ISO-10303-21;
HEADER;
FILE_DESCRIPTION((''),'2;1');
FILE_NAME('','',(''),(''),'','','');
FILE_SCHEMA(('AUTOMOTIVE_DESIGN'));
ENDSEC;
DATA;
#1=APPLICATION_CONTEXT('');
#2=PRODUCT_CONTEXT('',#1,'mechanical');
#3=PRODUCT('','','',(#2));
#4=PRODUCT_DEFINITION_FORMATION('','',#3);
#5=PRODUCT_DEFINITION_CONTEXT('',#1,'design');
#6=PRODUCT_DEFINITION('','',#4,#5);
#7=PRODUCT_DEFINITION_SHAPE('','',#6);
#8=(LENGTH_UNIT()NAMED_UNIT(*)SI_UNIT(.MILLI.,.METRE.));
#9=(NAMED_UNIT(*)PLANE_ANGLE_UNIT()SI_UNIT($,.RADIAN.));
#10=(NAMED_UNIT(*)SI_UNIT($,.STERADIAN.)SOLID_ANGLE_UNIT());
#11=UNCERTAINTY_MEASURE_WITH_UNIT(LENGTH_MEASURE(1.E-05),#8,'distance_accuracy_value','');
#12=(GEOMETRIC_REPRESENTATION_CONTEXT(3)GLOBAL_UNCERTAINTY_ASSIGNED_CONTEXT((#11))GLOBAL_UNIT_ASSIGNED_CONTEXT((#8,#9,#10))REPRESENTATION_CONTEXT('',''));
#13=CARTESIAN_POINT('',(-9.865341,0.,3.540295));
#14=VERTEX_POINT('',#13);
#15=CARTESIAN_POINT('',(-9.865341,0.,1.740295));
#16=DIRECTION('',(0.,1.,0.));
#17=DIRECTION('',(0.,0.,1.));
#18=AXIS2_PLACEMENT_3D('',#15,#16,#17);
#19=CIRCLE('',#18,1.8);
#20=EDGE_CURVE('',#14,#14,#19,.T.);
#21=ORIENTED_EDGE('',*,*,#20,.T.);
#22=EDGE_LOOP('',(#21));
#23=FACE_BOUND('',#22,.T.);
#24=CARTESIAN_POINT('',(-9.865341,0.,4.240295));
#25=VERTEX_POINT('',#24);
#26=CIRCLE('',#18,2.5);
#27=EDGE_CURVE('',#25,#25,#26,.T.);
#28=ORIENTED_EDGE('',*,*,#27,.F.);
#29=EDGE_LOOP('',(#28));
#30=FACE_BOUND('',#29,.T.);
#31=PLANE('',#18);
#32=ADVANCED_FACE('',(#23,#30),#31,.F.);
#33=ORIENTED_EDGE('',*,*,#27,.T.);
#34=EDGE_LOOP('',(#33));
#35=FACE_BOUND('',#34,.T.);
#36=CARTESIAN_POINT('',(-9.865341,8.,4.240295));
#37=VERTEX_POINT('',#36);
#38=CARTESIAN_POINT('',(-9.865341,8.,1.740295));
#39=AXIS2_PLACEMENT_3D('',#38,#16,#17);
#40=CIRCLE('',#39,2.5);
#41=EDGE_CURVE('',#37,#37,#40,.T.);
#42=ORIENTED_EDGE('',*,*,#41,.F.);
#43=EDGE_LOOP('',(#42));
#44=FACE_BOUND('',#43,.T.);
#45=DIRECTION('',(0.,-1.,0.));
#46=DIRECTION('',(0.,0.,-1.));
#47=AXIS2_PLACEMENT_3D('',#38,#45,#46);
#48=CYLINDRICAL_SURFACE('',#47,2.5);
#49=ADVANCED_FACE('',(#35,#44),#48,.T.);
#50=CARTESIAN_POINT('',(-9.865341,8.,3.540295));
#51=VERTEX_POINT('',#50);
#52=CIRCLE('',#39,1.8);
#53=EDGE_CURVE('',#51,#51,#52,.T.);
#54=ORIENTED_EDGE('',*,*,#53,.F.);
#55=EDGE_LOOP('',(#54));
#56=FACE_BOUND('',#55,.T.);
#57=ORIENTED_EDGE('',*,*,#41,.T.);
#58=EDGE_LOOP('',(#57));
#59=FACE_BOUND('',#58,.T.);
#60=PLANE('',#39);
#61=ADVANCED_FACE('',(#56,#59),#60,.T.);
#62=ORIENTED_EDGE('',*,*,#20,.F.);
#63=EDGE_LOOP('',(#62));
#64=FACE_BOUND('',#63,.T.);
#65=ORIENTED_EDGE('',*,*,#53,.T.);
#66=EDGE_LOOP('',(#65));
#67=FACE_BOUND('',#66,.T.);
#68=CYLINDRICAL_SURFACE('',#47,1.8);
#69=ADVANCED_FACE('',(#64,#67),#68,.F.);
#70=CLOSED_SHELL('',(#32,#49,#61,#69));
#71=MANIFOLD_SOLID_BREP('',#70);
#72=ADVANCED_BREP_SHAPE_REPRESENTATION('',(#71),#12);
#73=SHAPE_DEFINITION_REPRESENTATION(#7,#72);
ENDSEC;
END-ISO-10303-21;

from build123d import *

# Parameters (mm, degrees)
SKETCH1_R           = 2.5
SKETCH1_R_2         = 1.8
BOSS_EXTRUDE1_DEPTH = 8


with BuildPart() as part:
    # Sketch1 → Boss-Extrude1 (new body)
    with BuildSketch(Plane(origin=(0, 0, 0), x_dir=(1, 0, 0), z_dir=(0, 1, 0))):
        with Locations((-9.865341469, -1.740295336)):
            Circle(SKETCH1_R)
        with Locations((-9.865341469, -1.740295336)):
            Circle(SKETCH1_R_2, mode=Mode.SUBTRACT)
    extrude(amount=BOSS_EXTRUDE1_DEPTH)


solid = part.part
